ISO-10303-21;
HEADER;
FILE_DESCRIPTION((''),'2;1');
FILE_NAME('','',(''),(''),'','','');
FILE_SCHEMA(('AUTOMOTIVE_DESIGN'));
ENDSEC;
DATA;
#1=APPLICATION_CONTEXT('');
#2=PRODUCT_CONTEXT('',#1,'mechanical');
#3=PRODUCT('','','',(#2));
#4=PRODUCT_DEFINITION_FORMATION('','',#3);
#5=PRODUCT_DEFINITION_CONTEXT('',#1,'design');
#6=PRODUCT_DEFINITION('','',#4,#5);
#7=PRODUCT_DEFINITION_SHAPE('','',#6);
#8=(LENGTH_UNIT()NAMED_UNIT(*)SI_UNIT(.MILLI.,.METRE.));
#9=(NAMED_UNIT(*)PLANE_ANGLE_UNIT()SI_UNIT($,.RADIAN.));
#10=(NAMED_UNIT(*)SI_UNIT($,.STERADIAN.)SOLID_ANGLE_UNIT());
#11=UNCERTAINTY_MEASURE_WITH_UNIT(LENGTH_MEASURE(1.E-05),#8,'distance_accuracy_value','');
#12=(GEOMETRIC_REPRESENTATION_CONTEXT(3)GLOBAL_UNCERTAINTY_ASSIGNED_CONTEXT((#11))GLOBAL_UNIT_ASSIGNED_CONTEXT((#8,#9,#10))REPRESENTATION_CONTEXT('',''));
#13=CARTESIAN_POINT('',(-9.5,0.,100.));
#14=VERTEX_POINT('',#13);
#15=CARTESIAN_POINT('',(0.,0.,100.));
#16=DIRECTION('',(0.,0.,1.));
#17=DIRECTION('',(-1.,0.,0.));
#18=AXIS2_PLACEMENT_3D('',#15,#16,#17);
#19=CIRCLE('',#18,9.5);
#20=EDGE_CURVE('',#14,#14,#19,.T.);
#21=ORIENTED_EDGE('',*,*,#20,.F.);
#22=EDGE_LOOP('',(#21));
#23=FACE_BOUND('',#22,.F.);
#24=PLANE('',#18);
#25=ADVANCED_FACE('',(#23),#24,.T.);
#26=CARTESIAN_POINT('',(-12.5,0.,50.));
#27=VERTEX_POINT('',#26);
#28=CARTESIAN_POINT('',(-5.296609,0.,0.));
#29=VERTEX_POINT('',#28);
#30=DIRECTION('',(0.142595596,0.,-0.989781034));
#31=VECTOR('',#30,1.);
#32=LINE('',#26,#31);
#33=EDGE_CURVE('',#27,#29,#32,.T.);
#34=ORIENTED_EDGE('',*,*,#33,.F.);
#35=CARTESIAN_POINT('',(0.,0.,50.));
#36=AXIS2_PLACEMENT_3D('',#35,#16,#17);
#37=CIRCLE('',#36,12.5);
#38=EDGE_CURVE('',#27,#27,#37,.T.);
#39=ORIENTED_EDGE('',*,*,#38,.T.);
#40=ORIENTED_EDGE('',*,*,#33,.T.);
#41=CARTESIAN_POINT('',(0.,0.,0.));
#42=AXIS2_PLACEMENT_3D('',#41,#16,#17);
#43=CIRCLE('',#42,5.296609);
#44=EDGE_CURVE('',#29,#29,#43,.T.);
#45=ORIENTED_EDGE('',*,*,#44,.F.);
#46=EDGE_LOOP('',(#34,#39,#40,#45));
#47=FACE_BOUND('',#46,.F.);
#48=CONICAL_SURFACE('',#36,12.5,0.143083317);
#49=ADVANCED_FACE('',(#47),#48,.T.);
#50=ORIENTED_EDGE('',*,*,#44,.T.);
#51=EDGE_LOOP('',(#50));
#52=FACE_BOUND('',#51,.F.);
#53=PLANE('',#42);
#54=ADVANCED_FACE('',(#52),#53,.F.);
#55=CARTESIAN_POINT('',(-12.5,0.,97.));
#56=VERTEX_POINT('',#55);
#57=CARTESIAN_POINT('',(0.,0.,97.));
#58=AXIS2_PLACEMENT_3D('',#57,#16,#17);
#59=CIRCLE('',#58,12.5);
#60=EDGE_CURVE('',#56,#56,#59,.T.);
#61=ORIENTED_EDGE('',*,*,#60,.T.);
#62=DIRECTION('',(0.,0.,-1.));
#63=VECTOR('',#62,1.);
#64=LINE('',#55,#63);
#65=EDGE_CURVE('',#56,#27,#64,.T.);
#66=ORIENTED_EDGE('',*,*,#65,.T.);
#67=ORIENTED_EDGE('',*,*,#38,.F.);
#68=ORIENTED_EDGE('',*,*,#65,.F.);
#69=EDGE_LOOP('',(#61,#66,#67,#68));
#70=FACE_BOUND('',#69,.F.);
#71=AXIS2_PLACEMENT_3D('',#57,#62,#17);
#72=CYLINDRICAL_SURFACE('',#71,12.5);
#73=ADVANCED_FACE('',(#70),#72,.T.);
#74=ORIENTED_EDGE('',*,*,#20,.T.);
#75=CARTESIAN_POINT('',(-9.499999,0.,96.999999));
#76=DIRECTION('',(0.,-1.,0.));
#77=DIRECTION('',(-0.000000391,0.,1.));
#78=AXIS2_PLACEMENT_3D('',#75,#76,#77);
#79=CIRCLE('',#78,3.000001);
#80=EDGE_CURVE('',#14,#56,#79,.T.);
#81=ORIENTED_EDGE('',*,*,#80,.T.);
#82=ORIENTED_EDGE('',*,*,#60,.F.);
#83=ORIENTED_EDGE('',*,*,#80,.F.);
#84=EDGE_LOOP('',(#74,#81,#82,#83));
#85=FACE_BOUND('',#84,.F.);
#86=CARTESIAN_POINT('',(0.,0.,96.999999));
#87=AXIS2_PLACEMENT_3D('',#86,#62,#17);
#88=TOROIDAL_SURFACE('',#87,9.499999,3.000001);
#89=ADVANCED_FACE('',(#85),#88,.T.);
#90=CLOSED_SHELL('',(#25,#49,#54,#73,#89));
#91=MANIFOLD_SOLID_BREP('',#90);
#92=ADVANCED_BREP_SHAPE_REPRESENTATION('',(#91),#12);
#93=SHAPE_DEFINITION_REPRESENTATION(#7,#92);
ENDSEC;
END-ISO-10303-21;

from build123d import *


with BuildPart() as f1:
    # F0 (on Front) → F1 (revolve)
    with BuildSketch(Plane.XZ):
        with BuildLine():
            Line((-5.296609, 0), (0, 0))
            Line((0, 0), (0, 100))
            Line((0, 100), (-9.5, 100))
            ThreePointArc((-9.5, 100), (-11.62132, 99.12132), (-12.5, 97))
            Line((-12.5, 97), (-12.5, 50))
            Line((-12.5, 50), (-5.296609, 0))
        make_face()
    revolve(axis=Axis((0, 0, 50), (0, 0, 1)))


solid = f1.part
